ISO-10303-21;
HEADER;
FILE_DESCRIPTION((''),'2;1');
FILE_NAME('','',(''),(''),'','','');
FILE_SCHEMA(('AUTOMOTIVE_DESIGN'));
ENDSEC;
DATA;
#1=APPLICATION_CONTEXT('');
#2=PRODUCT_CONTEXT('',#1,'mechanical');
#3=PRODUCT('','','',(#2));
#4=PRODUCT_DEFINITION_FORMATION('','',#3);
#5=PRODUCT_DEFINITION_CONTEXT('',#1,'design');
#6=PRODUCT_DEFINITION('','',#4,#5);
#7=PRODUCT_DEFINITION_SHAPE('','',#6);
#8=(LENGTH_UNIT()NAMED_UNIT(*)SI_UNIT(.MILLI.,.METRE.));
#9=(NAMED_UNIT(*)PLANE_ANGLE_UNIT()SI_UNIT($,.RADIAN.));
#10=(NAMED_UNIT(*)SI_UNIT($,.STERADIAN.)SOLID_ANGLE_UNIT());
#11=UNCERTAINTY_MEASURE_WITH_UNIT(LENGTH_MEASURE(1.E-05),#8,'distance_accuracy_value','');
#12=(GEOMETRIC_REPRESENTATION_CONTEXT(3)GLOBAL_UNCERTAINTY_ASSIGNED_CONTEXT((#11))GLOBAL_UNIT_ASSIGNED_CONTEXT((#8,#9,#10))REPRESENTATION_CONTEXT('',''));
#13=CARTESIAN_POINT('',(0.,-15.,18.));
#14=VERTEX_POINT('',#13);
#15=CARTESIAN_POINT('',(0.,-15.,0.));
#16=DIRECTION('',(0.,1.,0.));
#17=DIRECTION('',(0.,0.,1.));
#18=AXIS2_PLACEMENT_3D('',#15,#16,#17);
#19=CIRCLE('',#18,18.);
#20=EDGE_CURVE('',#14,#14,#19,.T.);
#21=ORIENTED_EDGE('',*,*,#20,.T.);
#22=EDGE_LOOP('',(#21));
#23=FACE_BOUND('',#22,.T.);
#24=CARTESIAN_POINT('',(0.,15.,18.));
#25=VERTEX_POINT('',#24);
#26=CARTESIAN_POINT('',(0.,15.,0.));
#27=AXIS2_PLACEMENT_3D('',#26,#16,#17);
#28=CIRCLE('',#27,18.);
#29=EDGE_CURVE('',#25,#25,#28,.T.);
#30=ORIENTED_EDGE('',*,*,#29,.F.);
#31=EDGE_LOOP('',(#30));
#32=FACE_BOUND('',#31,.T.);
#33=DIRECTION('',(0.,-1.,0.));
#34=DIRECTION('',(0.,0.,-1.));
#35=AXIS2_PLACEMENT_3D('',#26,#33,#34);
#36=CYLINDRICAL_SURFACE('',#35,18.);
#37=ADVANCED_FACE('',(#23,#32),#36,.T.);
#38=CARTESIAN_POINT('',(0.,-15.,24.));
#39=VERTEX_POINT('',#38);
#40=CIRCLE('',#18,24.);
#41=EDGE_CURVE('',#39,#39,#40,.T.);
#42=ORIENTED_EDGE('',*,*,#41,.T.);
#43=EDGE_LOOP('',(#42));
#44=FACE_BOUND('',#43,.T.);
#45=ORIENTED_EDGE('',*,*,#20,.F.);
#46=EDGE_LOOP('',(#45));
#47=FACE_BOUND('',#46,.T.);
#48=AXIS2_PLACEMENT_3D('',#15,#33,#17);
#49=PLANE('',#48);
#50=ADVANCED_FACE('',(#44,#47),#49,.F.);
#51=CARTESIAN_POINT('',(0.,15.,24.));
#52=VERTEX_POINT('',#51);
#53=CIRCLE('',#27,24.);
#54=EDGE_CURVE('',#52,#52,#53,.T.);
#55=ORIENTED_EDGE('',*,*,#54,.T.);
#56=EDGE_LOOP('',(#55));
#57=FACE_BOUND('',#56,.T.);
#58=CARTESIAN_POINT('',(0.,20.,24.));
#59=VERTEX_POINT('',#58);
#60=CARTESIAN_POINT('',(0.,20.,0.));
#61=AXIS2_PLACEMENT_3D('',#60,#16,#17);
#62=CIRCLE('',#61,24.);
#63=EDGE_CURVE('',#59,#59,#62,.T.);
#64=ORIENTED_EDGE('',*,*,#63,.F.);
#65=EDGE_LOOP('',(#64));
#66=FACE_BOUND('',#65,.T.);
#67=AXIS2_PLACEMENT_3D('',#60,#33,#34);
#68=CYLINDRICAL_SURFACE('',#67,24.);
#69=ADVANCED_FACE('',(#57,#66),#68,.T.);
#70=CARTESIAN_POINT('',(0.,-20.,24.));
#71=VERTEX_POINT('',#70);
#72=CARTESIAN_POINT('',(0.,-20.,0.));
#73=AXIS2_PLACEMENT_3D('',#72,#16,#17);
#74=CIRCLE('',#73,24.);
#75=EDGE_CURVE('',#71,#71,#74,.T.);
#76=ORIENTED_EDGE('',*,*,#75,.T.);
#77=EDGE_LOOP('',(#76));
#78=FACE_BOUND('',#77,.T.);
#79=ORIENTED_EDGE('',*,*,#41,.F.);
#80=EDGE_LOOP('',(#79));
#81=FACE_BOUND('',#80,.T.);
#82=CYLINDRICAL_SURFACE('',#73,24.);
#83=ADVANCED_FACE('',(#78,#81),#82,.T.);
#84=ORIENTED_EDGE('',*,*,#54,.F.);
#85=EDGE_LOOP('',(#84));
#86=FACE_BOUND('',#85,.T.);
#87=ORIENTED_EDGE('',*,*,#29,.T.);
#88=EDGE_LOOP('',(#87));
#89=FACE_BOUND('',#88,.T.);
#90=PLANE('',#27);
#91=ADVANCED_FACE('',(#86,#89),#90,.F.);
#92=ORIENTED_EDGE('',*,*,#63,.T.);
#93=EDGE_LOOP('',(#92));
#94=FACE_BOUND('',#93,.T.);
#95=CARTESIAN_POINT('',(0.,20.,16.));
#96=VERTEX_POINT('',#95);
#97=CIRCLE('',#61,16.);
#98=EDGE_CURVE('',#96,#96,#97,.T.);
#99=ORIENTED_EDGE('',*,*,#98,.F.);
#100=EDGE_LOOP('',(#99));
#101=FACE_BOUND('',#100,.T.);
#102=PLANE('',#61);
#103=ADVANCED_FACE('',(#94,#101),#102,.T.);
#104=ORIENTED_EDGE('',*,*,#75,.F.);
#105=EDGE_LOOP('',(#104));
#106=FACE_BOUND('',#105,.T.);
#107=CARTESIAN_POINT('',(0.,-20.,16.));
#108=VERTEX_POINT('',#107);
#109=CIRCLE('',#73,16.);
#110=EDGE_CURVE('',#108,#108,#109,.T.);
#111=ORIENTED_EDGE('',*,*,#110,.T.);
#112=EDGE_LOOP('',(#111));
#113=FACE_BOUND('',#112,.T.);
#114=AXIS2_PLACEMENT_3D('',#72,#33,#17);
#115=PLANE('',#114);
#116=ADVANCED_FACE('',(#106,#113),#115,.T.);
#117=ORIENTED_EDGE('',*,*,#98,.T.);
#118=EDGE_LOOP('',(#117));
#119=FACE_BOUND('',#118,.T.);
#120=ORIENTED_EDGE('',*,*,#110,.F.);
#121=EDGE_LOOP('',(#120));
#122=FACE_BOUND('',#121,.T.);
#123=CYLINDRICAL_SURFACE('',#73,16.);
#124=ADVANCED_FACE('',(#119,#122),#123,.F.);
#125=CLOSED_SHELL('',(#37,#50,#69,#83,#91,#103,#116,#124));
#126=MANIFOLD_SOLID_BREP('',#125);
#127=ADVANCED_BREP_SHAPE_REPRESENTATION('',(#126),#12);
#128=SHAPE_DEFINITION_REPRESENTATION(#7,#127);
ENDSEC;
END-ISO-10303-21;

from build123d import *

# Parameters (mm, degrees)
SKETCH1_R           = 18
EXTRUDE1_DEPTH      = 15
SKETCH2_R           = 24
EXTRUDE2_DEPTH      = 5
EXTRUDE4_DEPTH      = 40.395431207
EXTRUDE4_DEPTH_BACK = 40.395431207
SKETCH3_R           = 16


with BuildPart() as part:
    # Sketch1 → Extrude1 (new, symmetric)
    with BuildSketch(Plane(origin=(0, 0, 0), x_dir=(1, 0, 0), z_dir=(0, 1, 0))):
        with Locations(Location((0, 0, 0), (0, 0, 270))):
            Circle(SKETCH1_R)
    extrude(amount=EXTRUDE1_DEPTH, both=True)

    # Sketch2 → Extrude2 (add)
    with BuildSketch(Plane(origin=(0, 15, 0), x_dir=(1, 0, 0), z_dir=(0, 1, 0))):
        with Locations(Location((0, 0, 0), (0, 0, 270))):
            Circle(SKETCH2_R)
    extrude2 = extrude(amount=EXTRUDE2_DEPTH)

    # Mirror1: Extrude2 across plane
    add(extrude2.mirror(Plane.ZX))

    # Sketch3 → Extrude4 (cut, two sides: drawn at the far end of the back side and taken through both)
    with BuildSketch(Plane(origin=(0, 0, 0), x_dir=(1, 0, 0), z_dir=(0, 1, 0)).offset(-EXTRUDE4_DEPTH_BACK)):
        with Locations(Location((0, 0, 0), (0, 0, 270))):
            Circle(SKETCH3_R)
    extrude(amount=EXTRUDE4_DEPTH + EXTRUDE4_DEPTH_BACK, mode=Mode.SUBTRACT)


solid = part.part
